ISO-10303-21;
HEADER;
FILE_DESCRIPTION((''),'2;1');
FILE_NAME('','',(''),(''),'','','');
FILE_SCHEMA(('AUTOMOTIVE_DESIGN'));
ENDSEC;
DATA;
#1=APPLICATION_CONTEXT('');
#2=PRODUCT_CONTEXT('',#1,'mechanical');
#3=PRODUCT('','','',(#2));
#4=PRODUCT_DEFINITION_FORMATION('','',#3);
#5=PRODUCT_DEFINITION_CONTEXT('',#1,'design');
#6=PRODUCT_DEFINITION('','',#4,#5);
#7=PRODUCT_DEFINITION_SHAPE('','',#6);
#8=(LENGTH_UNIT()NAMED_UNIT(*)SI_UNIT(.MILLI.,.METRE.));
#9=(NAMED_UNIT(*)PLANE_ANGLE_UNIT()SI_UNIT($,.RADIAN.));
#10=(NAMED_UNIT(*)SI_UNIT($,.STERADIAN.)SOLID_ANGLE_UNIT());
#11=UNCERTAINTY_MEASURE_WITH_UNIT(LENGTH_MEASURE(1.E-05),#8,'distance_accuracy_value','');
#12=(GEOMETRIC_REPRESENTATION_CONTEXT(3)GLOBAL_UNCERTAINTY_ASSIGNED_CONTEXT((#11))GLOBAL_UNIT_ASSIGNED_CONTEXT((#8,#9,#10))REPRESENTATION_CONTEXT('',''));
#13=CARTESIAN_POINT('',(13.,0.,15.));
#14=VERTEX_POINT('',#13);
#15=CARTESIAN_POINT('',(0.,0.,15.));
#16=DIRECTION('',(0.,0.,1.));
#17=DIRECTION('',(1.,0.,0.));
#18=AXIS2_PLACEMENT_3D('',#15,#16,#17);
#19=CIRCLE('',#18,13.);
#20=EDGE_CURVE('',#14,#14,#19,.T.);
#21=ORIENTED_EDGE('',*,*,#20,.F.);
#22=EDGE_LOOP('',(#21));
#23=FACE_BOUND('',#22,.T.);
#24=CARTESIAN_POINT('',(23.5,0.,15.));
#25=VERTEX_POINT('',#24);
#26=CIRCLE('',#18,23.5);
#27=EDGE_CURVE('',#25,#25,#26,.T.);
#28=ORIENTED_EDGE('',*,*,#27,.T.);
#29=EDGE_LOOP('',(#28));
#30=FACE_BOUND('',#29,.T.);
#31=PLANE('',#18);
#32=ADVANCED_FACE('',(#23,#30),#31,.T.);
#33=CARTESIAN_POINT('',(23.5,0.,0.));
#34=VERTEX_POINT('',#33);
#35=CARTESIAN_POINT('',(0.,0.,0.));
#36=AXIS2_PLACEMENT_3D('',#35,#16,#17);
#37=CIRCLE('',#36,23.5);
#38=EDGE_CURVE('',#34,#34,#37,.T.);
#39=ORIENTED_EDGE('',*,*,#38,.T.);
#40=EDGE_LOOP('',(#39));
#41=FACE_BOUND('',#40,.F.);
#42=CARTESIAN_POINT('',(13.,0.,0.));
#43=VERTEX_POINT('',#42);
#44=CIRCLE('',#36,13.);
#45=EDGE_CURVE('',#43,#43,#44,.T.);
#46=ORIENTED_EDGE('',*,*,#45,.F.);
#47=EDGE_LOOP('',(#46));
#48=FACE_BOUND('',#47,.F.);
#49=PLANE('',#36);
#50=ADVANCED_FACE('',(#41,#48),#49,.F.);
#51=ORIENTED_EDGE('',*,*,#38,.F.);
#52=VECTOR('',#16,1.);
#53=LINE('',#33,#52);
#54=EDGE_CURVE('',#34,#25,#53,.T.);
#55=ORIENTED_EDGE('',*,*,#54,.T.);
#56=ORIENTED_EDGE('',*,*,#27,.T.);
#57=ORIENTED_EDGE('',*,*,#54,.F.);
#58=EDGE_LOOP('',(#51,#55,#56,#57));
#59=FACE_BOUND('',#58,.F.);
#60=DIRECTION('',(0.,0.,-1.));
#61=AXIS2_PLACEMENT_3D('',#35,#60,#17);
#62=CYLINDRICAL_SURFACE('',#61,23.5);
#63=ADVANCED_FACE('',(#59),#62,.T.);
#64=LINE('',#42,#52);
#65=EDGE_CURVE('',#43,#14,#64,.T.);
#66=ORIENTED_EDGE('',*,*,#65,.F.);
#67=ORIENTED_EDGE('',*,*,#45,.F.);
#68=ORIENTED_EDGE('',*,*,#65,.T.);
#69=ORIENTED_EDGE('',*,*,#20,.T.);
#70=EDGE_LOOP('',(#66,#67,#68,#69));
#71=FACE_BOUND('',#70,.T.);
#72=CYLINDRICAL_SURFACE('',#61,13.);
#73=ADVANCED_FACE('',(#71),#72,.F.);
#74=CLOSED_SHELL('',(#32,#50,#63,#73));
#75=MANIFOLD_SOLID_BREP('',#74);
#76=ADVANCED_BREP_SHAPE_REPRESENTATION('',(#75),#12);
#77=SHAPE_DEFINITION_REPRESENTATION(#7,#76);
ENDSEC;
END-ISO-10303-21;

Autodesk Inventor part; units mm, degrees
ref_plane "YZ Plane" through (0, 0, 0) normal (1, 0, 0) x (0, 1, 0)
ref_plane "XZ Plane" through (0, 0, 0) normal (0, 1, 0) x (-1, 0, 0)
ref_plane "XY Plane" through (0, 0, 0) normal (0, 0, 1) x (1, 0, 0)
sketch "Sketch1" plane through (0, 0, 0) normal (0, 0, 1) x (1, 0, 0)
  circle A0 centre (0, 0) radius 13
  circle A1 centre (0, 0) radius 23.5
  dimension "d0" = 26
  dimension "d1" = 47
extrude "Extrusion1" add sketch "Sketch1" along normal blind 15
properties part number "51205" material "Stainless Steel"
